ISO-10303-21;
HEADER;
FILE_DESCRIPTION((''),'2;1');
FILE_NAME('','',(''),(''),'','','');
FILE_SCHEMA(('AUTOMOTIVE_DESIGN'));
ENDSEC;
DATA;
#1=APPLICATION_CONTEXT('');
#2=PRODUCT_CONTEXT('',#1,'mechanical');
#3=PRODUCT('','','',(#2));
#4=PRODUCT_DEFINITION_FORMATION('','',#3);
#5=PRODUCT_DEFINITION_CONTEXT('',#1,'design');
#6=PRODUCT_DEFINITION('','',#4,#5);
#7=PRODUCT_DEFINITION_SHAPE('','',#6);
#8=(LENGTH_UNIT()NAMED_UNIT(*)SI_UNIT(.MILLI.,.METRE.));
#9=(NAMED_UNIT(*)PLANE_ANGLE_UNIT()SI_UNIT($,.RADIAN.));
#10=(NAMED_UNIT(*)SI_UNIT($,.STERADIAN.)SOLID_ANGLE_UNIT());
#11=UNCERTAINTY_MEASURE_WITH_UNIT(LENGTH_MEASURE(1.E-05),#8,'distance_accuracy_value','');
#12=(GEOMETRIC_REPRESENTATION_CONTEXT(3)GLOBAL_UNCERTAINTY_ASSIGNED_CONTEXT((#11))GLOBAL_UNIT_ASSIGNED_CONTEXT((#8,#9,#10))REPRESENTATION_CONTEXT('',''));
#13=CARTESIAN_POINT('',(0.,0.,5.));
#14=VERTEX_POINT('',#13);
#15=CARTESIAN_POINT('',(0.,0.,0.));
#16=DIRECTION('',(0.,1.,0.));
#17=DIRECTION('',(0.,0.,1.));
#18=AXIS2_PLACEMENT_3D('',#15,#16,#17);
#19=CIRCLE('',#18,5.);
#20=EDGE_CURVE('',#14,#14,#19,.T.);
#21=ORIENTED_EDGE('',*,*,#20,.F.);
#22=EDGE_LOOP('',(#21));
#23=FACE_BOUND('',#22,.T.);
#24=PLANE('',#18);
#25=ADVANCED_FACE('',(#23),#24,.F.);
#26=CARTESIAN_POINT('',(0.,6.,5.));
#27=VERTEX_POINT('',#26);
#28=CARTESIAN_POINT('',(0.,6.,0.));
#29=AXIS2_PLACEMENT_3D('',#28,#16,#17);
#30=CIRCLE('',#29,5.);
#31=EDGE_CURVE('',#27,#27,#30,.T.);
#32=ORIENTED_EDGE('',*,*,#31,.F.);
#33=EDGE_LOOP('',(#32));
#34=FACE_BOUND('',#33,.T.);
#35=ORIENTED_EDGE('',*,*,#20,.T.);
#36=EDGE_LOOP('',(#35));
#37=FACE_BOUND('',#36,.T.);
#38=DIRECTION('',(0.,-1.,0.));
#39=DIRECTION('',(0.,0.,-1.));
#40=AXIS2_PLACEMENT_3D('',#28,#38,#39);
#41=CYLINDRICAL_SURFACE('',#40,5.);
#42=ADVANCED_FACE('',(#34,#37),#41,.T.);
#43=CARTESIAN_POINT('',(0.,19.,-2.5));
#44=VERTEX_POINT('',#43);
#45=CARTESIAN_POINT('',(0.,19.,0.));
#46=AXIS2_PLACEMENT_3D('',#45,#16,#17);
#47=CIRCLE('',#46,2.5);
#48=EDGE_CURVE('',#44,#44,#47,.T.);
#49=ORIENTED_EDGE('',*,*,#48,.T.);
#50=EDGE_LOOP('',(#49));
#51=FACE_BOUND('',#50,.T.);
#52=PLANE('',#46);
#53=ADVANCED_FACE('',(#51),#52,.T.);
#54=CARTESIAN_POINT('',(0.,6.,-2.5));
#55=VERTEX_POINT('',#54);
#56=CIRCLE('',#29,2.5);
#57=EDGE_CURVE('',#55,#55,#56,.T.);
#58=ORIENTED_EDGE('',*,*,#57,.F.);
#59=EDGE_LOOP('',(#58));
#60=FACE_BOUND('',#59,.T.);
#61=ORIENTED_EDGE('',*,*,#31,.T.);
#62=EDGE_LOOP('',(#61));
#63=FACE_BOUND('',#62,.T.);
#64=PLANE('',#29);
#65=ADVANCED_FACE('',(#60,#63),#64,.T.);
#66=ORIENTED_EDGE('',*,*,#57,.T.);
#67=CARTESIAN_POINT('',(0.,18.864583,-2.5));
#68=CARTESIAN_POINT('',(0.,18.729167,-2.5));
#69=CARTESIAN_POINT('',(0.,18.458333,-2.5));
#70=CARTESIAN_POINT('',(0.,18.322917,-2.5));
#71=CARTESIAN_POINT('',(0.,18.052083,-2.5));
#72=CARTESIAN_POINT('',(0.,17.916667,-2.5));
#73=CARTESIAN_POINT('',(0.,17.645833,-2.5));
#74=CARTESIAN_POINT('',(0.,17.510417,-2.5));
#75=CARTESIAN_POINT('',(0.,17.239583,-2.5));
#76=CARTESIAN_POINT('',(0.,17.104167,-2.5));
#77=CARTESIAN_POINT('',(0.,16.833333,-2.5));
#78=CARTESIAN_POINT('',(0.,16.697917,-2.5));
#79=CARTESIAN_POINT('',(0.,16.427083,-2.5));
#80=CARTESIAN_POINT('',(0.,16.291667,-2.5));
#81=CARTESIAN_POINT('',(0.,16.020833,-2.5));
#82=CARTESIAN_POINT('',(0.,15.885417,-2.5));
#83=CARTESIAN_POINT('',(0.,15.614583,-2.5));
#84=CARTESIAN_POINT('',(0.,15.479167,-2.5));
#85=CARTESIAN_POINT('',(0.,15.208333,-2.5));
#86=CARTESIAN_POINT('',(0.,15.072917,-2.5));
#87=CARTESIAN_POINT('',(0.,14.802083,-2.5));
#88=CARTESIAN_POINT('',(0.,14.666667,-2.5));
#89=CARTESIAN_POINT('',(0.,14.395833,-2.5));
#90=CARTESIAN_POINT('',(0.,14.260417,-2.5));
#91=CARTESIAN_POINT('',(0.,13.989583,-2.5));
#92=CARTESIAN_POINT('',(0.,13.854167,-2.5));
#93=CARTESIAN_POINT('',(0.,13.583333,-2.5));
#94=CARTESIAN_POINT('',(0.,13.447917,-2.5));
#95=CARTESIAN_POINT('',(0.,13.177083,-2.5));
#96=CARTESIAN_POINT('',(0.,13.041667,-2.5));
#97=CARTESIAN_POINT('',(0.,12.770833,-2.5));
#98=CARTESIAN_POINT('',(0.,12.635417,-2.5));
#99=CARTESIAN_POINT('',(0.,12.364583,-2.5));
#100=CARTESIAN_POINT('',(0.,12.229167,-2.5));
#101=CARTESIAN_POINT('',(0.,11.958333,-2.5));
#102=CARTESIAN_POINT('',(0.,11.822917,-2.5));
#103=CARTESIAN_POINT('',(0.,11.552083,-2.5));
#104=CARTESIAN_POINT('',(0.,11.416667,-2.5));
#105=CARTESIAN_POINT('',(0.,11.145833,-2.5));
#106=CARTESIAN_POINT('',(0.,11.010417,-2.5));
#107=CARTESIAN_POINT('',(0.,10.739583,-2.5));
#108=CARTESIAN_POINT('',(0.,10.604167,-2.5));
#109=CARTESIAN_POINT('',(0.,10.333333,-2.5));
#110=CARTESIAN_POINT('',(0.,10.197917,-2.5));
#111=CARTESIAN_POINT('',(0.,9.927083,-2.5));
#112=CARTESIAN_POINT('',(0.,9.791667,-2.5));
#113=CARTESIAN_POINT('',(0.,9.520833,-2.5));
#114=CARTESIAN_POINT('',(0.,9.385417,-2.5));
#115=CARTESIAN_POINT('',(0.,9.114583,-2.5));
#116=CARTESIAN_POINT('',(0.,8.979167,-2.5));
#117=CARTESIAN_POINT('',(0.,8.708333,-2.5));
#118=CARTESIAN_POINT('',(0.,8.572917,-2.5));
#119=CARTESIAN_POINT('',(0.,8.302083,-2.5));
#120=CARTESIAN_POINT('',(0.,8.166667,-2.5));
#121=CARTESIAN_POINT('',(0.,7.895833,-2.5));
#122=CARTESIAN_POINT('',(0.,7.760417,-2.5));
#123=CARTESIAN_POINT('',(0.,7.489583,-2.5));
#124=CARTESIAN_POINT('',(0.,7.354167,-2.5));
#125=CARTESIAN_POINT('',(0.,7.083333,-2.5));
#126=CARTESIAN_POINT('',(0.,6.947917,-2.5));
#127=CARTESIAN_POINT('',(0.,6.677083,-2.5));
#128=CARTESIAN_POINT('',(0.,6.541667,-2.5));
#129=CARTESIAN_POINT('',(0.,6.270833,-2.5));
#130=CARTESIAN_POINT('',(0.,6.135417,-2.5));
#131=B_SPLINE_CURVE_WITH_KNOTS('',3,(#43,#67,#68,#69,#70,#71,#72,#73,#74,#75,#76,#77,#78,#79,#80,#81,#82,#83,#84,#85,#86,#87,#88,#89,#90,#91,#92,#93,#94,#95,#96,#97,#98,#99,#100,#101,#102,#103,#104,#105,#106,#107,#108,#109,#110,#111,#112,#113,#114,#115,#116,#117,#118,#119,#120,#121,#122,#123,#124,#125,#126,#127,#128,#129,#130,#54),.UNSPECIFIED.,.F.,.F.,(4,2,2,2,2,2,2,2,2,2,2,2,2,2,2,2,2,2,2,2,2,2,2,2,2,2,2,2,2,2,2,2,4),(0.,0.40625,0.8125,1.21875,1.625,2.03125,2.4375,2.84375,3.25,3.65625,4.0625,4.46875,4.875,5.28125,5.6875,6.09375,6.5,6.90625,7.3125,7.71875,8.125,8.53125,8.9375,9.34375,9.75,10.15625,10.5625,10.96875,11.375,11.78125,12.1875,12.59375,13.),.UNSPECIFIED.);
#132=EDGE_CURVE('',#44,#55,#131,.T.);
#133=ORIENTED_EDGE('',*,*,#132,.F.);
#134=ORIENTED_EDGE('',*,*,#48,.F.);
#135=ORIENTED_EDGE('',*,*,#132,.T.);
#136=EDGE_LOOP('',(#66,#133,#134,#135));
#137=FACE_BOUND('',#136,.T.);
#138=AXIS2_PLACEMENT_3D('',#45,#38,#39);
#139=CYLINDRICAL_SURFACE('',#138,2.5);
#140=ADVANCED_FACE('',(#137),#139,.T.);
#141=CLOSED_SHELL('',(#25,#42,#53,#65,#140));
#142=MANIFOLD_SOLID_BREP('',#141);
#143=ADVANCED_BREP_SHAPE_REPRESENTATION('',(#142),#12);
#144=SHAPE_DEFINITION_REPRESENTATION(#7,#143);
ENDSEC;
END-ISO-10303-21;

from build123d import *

# Parameters (mm, degrees)
SKETCH2_R           = 5
SKETCH2_R_2         = 2.5
BOSS_EXTRUDE1_DEPTH = 6
BOSS_EXTRUDE2_START = 6
SKETCH2_3_R         = 2.5
BOSS_EXTRUDE2_DEPTH = 13


with BuildPart() as part:
    # Sketch2 → Boss-Extrude1 (new body)
    # profile 1 of 2: a face of its own
    with BuildSketch(Plane(origin=(0, 0, 0), x_dir=(1, 0, 0), z_dir=(0, 1, 0))):
        with Locations(Location((0, 0, 0), (0, 0, 270))):
            Circle(SKETCH2_R)
        Circle(SKETCH2_R_2, mode=Mode.SUBTRACT)
    # profile 2 of 2: a face of its own
    with BuildSketch(Plane(origin=(0, 0, 0), x_dir=(1, 0, 0), z_dir=(0, 1, 0))):
        Circle(SKETCH2_R_2)
    extrude(amount=BOSS_EXTRUDE1_DEPTH)

    # Sketch2<3> → Boss-Extrude2 (add)
    with BuildSketch(Plane(origin=(0, 0, 0), x_dir=(1, 0, 0), z_dir=(0, 1, 0)).offset(BOSS_EXTRUDE2_START)):
        with Locations(Location((0, 0, 0), (0, 0, 90))):
            Circle(SKETCH2_3_R)
    extrude(amount=BOSS_EXTRUDE2_DEPTH)


solid = part.part
